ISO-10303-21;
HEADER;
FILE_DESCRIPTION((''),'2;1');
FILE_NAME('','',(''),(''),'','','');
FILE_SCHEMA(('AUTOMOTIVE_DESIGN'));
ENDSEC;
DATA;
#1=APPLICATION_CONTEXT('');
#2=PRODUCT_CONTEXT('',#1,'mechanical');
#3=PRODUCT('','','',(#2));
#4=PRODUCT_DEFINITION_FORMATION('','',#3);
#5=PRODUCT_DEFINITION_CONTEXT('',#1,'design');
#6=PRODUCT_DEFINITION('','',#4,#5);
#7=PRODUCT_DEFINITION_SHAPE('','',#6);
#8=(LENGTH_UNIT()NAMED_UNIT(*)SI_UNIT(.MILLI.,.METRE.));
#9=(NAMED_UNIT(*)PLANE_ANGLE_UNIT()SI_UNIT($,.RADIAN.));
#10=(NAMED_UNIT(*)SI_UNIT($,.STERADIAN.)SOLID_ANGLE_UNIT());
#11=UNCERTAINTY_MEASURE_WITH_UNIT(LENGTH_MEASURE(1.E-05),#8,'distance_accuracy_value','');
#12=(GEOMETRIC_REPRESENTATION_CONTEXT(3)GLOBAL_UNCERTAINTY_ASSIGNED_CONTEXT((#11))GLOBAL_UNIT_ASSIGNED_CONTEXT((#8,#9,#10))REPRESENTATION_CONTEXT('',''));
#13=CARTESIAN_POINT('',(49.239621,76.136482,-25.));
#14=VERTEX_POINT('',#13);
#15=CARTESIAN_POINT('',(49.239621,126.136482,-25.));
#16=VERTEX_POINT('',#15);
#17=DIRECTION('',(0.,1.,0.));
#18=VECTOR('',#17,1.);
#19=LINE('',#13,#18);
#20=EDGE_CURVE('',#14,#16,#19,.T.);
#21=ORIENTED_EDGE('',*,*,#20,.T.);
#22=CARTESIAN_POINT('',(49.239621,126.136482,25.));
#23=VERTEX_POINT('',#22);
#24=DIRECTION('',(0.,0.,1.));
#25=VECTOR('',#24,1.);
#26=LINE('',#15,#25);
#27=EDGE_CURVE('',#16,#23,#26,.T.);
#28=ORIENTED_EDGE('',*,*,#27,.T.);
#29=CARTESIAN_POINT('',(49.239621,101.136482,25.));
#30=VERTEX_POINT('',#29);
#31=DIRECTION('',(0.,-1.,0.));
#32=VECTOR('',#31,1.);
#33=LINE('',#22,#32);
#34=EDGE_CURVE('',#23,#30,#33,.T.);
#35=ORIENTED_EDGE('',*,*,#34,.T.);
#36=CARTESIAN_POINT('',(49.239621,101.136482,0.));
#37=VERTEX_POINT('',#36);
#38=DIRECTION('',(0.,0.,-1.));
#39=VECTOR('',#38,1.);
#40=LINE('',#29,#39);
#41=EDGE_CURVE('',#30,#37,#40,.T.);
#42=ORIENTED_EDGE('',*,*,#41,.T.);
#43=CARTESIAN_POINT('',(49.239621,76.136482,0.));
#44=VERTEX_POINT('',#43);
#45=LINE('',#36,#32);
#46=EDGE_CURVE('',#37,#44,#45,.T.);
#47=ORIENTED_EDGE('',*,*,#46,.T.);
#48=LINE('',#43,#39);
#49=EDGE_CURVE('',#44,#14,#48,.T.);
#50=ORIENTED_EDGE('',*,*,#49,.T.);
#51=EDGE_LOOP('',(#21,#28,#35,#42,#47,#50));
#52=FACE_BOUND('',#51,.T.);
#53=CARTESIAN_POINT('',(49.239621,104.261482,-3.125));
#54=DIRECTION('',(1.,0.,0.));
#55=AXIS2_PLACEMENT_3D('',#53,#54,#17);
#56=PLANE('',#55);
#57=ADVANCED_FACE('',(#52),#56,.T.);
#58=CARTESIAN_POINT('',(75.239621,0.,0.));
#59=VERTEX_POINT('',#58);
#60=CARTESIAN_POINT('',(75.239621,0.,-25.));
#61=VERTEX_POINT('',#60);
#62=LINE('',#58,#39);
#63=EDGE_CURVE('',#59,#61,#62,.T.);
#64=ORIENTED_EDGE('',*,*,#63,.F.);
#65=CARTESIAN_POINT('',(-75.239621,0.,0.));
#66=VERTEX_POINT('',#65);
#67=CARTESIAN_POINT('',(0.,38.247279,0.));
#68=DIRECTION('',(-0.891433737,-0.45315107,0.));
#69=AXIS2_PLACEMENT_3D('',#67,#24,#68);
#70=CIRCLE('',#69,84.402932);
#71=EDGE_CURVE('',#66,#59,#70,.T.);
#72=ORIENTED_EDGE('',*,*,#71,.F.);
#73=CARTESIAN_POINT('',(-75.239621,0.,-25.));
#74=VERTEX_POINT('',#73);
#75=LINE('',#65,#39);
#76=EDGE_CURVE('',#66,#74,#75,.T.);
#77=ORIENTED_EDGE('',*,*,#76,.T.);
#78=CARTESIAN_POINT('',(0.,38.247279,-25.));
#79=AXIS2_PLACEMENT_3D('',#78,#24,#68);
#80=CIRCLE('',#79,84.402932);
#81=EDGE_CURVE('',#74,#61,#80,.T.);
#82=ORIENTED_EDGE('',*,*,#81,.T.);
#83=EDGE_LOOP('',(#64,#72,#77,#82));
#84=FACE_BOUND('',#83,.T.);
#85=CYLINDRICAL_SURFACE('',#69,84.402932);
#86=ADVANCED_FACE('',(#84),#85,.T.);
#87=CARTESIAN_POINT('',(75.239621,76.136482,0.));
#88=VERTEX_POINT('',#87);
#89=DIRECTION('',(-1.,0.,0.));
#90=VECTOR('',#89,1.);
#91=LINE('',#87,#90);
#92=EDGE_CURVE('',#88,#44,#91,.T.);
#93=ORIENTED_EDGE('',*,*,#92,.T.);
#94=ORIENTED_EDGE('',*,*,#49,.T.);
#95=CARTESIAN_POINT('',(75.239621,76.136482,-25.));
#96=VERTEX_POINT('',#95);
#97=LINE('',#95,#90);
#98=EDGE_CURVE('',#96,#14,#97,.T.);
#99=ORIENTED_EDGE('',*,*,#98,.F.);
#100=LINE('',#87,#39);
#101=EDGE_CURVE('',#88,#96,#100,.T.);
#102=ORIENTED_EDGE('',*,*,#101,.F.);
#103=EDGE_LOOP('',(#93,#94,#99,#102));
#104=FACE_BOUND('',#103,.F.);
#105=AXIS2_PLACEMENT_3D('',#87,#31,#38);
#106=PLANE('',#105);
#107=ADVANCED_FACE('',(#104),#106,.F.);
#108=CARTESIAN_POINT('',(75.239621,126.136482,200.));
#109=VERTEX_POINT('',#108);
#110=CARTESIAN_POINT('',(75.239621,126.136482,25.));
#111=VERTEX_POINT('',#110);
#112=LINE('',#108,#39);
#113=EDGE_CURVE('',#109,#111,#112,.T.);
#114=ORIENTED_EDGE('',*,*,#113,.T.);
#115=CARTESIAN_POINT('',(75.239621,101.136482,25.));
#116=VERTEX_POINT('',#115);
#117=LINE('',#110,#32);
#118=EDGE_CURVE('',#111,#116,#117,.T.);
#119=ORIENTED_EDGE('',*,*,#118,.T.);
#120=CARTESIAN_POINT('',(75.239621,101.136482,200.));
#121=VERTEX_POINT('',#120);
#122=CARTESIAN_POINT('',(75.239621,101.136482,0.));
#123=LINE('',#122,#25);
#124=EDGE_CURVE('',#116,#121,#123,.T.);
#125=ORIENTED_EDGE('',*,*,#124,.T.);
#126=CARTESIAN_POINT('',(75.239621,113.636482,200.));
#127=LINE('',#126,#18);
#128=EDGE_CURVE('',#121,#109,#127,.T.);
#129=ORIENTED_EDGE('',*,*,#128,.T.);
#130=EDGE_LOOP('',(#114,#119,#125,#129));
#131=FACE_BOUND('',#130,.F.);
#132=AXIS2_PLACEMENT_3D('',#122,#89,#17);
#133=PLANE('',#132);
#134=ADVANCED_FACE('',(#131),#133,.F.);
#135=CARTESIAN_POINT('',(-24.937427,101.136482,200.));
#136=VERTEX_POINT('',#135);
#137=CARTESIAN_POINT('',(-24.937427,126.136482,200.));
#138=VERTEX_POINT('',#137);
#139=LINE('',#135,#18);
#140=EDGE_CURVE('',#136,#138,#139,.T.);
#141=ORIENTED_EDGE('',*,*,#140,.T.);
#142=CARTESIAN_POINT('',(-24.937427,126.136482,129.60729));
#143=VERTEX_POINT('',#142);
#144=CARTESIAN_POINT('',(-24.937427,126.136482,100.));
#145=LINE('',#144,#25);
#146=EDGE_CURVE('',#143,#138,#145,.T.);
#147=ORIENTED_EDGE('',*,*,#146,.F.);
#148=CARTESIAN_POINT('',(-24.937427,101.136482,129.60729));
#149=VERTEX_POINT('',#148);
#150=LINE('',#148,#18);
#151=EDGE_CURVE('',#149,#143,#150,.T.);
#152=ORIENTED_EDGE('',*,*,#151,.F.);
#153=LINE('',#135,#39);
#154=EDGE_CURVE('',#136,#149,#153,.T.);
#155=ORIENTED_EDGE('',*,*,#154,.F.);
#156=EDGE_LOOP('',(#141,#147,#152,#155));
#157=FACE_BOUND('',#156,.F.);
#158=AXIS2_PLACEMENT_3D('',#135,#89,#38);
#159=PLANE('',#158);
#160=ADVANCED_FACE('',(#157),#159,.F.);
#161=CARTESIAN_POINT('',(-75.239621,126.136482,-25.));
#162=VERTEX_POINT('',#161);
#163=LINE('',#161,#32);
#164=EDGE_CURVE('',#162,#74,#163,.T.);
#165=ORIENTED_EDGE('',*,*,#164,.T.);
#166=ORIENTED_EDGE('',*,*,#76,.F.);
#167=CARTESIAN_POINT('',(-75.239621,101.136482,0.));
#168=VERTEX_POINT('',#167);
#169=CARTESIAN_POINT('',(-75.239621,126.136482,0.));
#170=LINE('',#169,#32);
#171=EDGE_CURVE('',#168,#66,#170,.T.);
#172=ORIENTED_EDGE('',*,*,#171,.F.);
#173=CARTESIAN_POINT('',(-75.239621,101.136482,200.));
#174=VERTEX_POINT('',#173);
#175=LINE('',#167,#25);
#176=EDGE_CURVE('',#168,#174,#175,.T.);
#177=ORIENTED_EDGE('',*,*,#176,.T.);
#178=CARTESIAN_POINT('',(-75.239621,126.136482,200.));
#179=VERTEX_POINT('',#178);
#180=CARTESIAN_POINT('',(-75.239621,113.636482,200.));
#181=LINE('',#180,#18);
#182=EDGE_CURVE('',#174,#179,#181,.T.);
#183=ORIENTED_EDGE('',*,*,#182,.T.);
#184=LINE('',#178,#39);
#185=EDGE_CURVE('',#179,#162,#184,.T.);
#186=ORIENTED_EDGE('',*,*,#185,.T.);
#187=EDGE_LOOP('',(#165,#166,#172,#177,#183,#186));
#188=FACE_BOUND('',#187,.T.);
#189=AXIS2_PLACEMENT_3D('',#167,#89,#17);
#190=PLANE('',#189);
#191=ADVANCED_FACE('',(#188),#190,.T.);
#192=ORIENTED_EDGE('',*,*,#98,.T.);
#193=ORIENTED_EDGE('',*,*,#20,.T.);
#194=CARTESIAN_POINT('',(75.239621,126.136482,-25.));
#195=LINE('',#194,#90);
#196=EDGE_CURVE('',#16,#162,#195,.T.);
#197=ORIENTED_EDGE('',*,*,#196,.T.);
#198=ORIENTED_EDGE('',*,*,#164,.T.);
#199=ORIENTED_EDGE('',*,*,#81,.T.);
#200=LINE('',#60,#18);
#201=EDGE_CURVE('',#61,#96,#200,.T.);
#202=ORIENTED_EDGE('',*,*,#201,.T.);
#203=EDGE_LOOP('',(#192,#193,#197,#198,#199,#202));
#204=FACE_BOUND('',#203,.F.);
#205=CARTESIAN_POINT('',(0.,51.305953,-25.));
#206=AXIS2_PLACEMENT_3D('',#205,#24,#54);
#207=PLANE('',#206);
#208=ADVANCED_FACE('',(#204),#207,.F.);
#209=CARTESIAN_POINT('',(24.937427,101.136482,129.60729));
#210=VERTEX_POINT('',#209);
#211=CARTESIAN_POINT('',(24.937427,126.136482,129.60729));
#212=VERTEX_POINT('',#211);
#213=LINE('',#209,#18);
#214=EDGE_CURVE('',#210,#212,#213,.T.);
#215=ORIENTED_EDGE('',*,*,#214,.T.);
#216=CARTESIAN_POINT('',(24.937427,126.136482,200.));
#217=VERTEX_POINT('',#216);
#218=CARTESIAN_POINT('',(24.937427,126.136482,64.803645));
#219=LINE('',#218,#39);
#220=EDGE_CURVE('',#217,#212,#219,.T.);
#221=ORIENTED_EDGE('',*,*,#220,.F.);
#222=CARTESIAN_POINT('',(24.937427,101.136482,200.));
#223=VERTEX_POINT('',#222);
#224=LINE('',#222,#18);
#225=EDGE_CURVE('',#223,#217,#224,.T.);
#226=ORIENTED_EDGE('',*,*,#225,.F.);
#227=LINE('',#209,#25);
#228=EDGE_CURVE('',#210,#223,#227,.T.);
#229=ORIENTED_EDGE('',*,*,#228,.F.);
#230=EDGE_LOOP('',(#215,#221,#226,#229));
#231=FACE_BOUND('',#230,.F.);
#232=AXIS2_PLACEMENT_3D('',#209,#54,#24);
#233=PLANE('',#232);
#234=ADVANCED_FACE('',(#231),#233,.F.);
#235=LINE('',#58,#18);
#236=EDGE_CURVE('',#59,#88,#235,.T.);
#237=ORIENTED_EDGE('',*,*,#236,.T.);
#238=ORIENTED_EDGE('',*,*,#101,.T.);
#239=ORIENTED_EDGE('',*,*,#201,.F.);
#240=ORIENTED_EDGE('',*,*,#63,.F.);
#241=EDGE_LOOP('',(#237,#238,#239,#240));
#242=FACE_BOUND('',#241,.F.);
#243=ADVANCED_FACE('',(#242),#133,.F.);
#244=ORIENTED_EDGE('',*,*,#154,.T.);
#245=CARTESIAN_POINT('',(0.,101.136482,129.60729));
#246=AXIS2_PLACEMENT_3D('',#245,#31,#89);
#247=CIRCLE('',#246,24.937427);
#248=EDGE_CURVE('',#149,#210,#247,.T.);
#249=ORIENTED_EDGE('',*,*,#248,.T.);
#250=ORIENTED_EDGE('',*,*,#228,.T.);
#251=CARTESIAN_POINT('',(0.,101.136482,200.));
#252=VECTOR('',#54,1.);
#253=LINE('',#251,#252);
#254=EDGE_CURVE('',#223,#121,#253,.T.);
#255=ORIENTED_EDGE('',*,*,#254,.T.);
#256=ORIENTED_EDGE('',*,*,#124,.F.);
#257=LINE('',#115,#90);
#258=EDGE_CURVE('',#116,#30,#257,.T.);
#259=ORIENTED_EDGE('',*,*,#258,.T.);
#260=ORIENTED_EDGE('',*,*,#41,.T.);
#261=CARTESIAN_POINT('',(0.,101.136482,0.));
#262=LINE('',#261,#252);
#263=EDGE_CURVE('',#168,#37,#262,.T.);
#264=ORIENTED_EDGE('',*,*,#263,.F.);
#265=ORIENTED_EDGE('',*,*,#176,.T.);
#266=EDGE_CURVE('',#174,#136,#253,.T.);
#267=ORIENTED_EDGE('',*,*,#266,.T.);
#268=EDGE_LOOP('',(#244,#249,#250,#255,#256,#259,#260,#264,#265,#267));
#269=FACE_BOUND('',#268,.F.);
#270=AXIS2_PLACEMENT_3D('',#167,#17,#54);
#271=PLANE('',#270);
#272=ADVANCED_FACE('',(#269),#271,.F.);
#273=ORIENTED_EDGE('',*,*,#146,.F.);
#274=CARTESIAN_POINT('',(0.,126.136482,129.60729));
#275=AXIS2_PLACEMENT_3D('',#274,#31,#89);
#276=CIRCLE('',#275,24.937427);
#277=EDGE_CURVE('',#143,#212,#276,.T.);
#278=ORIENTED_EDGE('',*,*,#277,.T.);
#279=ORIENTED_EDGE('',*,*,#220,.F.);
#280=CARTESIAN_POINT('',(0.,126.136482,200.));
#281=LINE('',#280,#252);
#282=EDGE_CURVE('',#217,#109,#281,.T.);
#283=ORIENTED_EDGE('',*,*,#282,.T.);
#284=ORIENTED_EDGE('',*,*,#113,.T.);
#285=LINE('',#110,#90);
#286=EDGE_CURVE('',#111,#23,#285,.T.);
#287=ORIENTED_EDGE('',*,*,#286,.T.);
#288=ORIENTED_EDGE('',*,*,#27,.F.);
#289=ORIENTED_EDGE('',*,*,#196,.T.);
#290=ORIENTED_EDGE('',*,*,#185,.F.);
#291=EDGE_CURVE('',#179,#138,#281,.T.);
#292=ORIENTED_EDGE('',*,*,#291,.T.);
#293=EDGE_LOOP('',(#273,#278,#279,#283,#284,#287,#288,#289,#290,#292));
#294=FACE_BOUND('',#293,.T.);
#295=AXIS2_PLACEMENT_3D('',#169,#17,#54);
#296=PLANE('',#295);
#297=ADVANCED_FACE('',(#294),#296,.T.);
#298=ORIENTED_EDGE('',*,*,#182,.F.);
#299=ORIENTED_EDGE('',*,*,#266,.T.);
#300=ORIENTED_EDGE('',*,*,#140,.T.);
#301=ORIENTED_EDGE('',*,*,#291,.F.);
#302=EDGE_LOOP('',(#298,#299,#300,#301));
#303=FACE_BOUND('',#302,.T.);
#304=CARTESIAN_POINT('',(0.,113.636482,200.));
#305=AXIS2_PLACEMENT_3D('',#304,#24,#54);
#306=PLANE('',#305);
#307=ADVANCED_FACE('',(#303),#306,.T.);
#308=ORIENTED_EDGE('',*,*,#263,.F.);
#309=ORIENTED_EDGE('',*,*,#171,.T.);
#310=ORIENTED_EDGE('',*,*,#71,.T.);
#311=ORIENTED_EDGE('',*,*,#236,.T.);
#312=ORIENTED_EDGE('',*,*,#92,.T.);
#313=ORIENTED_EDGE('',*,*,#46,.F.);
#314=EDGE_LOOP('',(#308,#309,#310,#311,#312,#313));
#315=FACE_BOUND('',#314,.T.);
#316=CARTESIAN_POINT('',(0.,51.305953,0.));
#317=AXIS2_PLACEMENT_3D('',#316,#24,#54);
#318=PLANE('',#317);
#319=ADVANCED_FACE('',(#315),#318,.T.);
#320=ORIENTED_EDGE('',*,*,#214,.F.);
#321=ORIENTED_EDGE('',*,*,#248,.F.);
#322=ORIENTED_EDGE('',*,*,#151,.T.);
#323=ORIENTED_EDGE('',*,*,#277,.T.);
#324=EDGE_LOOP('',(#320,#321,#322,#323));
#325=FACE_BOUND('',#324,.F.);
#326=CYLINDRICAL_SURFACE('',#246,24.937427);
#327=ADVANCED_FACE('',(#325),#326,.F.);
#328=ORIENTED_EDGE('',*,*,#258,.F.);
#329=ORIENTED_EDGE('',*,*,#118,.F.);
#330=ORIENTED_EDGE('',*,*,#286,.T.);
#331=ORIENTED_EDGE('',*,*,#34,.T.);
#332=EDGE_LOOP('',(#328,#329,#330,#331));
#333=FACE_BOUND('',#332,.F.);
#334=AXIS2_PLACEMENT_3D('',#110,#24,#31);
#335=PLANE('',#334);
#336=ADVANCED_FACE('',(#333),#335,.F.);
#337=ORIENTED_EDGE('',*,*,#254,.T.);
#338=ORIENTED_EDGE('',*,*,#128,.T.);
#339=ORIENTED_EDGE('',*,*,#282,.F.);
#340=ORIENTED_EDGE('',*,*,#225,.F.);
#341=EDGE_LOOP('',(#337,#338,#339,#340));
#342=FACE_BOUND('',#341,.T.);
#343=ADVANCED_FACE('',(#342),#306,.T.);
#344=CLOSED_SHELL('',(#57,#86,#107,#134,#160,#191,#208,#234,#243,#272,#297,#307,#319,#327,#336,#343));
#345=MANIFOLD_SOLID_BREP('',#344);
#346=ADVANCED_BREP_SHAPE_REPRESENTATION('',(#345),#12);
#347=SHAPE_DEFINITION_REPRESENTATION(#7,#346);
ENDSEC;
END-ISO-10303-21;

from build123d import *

# Parameters (mm, degrees)
F1_DEPTH = 25
F2_W     = 150.479242
F2_H     = 25
F3_DEPTH = 200
F5_DEPTH = 25.001
F7_DEPTH = 26


with BuildPart() as f1:
    # F0 (on Top) → F1 (new body)
    with BuildSketch(Plane.XY):
        with BuildLine():
            Line((-75.239621, 126.136482), (-75.239621, 0))
            ThreePointArc((-75.239621, 0), (0, -46.155653), (75.239621, 0))
            Line((75.239621, 0), (75.239621, 126.136482))
            Line((75.239621, 126.136482), (-75.239621, 126.136482))
        make_face()
    extrude(amount=-F1_DEPTH)

    # F2 (on face) → F3 (join)
    with BuildSketch(Plane.XY):
        with Locations((0, 113.636482)):
            Rectangle(F2_W, F2_H)
    extrude(amount=F3_DEPTH)

    # F4 (on face) → F5 (cut, through all)
    with BuildSketch(Plane.XZ.offset(-101.136482)):
        with BuildLine():
            Line((-24.937427, 200), (-24.937427, 129.60729))
            ThreePointArc((-24.937427, 129.60729), (0, 104.669863), (24.937427, 129.60729))
            Line((24.937427, 129.60729), (24.937427, 200))
            Line((24.937427, 200), (-24.937427, 200))
        make_face()
    extrude(amount=-F5_DEPTH, mode=Mode.SUBTRACT)

    # F6 (on face) → F7 (cut)
    with BuildSketch(Plane.YZ.offset(75.239621)):
        Polygon((76.136482, -25), (126.136482, -25), (126.136482, 25), (101.136482, 25), (101.136482, 0), (76.136482, 0), align=None)
    extrude(amount=-F7_DEPTH, mode=Mode.SUBTRACT)


solid = f1.part
